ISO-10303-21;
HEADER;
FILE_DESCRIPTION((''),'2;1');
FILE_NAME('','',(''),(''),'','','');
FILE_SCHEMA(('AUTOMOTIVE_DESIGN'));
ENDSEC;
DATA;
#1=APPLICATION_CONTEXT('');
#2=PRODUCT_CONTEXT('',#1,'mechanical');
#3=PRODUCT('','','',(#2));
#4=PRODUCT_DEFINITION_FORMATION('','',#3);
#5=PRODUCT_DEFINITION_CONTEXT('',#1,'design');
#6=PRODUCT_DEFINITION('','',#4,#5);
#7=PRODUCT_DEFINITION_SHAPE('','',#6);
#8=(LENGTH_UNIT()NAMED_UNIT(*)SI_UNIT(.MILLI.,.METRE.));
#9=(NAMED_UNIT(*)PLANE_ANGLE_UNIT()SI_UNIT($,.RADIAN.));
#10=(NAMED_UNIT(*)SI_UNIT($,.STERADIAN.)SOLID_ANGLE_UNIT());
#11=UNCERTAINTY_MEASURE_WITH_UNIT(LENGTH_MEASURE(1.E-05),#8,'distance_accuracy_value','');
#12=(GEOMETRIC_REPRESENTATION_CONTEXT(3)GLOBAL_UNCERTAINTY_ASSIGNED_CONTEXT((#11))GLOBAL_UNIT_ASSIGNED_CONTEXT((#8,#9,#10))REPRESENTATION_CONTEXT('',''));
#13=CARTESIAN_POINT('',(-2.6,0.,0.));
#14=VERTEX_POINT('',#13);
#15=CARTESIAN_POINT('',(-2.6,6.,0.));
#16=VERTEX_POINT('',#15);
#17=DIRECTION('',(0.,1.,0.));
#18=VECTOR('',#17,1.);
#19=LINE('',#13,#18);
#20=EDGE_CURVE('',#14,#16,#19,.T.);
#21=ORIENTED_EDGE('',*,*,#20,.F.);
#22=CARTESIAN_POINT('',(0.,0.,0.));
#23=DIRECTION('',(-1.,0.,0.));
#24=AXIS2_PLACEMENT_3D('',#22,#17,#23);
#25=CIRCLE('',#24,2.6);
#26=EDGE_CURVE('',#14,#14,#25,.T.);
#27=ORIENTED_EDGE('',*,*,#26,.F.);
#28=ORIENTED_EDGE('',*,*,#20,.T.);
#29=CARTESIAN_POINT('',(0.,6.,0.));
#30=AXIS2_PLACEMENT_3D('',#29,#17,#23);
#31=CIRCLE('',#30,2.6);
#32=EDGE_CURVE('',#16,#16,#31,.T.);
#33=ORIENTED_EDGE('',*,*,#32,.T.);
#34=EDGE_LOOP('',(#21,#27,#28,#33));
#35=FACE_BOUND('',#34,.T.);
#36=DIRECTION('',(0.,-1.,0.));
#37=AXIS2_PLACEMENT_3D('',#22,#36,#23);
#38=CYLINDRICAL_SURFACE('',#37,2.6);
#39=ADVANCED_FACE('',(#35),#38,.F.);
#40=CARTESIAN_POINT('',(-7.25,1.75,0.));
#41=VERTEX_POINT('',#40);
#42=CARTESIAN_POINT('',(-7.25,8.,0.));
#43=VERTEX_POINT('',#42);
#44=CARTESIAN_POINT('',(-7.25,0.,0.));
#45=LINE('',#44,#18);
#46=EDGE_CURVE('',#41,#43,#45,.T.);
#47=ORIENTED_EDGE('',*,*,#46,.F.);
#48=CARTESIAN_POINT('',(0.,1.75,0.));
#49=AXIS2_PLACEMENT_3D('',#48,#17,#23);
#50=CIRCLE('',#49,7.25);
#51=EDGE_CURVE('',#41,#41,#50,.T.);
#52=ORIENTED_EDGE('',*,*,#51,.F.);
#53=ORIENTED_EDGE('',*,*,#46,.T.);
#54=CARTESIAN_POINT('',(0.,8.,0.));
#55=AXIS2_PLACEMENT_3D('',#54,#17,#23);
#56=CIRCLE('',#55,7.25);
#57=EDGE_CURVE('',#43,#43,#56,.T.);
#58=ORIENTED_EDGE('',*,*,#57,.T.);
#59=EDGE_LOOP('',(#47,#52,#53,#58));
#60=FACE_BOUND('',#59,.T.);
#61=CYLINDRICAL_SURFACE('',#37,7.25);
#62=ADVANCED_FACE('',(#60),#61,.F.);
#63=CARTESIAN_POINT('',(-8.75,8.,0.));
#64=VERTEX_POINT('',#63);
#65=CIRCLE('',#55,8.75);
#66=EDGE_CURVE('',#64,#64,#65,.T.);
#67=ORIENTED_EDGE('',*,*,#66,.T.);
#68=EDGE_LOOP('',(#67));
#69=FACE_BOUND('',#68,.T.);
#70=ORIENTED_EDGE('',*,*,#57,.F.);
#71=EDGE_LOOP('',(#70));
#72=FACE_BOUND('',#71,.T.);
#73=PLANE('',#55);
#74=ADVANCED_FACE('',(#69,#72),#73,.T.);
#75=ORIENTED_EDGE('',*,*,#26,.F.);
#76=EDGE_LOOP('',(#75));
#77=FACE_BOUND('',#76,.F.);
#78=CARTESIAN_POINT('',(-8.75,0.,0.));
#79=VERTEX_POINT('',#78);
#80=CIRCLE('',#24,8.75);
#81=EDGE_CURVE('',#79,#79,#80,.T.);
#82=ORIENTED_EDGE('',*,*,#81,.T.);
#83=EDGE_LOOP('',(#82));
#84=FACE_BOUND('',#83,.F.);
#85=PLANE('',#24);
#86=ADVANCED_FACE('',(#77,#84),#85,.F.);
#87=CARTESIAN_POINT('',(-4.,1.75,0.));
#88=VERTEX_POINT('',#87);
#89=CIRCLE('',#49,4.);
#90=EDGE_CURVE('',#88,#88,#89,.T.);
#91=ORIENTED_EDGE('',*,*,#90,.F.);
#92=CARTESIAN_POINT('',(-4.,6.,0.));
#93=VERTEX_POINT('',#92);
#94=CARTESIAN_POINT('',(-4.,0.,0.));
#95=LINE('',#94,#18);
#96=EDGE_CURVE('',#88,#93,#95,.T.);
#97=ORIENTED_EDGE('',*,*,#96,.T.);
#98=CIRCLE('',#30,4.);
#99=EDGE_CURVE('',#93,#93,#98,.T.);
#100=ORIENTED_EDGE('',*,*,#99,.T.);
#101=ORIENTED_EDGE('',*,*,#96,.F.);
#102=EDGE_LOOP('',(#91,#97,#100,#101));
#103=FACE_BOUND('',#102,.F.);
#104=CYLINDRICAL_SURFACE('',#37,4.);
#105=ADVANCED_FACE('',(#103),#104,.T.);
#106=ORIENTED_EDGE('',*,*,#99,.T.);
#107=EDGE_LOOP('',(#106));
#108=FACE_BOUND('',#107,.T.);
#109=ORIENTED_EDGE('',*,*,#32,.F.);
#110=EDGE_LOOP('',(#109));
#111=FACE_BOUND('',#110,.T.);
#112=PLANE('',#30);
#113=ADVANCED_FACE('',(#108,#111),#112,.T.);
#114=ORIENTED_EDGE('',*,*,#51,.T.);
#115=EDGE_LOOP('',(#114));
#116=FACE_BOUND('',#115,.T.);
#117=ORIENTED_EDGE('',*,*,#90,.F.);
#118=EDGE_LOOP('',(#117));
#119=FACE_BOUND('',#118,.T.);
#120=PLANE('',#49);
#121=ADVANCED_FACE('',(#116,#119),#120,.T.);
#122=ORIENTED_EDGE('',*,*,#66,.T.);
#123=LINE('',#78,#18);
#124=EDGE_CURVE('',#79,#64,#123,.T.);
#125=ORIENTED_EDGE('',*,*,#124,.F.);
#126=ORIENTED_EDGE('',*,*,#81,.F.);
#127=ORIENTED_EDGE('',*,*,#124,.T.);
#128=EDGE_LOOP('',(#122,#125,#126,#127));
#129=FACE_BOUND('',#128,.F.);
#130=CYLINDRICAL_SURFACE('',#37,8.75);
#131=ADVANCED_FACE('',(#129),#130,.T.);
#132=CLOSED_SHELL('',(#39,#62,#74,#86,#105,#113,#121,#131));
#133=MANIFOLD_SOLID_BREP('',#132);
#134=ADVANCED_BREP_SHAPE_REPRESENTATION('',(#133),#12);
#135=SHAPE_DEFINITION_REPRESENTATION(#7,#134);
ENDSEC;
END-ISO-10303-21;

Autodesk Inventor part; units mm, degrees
ref_plane "YZ Plane" through (0, 0, 0) normal (1, 0, 0) x (0, 1, 0)
ref_plane "XZ Plane" through (0, 0, 0) normal (0, 1, 0) x (-1, 0, 0)
ref_plane "XY Plane" through (0, 0, 0) normal (0, 0, 1) x (1, 0, 0)
sketch "Эскиз1" plane through (0, 0, 0) normal (0, 1, 0) x (-1, 0, 0)
  circle A0 centre (0, 0) radius 8.75
  circle A1 centre (0, 0) radius 2.6
  circle A2 centre (0, 0) radius 4
  circle A3 centre (0, 0) radius 7.25
  point P0 (-0.75, 3.9291)
  point P1 (-0.6797, 7.2181)
  point P2 (0.6797, 7.2181)
  point P3 (0.75, 3.9291)
  dimension "d1" = 5.2
  dimension "d2" = 8
  dimension "d41" = 17.5
  dimension "d43" = 1.5
extrude "Выдавливание1" add sketch "Эскиз1" along normal blind 8 contours A0
extrude "Выдавливание7" add sketch "Эскиз1" along normal blind 6 contours A2
extrude "Выдавливание8" add sketch "Эскиз1" along normal blind 1.75 contours A3
properties part number "Колесо"
